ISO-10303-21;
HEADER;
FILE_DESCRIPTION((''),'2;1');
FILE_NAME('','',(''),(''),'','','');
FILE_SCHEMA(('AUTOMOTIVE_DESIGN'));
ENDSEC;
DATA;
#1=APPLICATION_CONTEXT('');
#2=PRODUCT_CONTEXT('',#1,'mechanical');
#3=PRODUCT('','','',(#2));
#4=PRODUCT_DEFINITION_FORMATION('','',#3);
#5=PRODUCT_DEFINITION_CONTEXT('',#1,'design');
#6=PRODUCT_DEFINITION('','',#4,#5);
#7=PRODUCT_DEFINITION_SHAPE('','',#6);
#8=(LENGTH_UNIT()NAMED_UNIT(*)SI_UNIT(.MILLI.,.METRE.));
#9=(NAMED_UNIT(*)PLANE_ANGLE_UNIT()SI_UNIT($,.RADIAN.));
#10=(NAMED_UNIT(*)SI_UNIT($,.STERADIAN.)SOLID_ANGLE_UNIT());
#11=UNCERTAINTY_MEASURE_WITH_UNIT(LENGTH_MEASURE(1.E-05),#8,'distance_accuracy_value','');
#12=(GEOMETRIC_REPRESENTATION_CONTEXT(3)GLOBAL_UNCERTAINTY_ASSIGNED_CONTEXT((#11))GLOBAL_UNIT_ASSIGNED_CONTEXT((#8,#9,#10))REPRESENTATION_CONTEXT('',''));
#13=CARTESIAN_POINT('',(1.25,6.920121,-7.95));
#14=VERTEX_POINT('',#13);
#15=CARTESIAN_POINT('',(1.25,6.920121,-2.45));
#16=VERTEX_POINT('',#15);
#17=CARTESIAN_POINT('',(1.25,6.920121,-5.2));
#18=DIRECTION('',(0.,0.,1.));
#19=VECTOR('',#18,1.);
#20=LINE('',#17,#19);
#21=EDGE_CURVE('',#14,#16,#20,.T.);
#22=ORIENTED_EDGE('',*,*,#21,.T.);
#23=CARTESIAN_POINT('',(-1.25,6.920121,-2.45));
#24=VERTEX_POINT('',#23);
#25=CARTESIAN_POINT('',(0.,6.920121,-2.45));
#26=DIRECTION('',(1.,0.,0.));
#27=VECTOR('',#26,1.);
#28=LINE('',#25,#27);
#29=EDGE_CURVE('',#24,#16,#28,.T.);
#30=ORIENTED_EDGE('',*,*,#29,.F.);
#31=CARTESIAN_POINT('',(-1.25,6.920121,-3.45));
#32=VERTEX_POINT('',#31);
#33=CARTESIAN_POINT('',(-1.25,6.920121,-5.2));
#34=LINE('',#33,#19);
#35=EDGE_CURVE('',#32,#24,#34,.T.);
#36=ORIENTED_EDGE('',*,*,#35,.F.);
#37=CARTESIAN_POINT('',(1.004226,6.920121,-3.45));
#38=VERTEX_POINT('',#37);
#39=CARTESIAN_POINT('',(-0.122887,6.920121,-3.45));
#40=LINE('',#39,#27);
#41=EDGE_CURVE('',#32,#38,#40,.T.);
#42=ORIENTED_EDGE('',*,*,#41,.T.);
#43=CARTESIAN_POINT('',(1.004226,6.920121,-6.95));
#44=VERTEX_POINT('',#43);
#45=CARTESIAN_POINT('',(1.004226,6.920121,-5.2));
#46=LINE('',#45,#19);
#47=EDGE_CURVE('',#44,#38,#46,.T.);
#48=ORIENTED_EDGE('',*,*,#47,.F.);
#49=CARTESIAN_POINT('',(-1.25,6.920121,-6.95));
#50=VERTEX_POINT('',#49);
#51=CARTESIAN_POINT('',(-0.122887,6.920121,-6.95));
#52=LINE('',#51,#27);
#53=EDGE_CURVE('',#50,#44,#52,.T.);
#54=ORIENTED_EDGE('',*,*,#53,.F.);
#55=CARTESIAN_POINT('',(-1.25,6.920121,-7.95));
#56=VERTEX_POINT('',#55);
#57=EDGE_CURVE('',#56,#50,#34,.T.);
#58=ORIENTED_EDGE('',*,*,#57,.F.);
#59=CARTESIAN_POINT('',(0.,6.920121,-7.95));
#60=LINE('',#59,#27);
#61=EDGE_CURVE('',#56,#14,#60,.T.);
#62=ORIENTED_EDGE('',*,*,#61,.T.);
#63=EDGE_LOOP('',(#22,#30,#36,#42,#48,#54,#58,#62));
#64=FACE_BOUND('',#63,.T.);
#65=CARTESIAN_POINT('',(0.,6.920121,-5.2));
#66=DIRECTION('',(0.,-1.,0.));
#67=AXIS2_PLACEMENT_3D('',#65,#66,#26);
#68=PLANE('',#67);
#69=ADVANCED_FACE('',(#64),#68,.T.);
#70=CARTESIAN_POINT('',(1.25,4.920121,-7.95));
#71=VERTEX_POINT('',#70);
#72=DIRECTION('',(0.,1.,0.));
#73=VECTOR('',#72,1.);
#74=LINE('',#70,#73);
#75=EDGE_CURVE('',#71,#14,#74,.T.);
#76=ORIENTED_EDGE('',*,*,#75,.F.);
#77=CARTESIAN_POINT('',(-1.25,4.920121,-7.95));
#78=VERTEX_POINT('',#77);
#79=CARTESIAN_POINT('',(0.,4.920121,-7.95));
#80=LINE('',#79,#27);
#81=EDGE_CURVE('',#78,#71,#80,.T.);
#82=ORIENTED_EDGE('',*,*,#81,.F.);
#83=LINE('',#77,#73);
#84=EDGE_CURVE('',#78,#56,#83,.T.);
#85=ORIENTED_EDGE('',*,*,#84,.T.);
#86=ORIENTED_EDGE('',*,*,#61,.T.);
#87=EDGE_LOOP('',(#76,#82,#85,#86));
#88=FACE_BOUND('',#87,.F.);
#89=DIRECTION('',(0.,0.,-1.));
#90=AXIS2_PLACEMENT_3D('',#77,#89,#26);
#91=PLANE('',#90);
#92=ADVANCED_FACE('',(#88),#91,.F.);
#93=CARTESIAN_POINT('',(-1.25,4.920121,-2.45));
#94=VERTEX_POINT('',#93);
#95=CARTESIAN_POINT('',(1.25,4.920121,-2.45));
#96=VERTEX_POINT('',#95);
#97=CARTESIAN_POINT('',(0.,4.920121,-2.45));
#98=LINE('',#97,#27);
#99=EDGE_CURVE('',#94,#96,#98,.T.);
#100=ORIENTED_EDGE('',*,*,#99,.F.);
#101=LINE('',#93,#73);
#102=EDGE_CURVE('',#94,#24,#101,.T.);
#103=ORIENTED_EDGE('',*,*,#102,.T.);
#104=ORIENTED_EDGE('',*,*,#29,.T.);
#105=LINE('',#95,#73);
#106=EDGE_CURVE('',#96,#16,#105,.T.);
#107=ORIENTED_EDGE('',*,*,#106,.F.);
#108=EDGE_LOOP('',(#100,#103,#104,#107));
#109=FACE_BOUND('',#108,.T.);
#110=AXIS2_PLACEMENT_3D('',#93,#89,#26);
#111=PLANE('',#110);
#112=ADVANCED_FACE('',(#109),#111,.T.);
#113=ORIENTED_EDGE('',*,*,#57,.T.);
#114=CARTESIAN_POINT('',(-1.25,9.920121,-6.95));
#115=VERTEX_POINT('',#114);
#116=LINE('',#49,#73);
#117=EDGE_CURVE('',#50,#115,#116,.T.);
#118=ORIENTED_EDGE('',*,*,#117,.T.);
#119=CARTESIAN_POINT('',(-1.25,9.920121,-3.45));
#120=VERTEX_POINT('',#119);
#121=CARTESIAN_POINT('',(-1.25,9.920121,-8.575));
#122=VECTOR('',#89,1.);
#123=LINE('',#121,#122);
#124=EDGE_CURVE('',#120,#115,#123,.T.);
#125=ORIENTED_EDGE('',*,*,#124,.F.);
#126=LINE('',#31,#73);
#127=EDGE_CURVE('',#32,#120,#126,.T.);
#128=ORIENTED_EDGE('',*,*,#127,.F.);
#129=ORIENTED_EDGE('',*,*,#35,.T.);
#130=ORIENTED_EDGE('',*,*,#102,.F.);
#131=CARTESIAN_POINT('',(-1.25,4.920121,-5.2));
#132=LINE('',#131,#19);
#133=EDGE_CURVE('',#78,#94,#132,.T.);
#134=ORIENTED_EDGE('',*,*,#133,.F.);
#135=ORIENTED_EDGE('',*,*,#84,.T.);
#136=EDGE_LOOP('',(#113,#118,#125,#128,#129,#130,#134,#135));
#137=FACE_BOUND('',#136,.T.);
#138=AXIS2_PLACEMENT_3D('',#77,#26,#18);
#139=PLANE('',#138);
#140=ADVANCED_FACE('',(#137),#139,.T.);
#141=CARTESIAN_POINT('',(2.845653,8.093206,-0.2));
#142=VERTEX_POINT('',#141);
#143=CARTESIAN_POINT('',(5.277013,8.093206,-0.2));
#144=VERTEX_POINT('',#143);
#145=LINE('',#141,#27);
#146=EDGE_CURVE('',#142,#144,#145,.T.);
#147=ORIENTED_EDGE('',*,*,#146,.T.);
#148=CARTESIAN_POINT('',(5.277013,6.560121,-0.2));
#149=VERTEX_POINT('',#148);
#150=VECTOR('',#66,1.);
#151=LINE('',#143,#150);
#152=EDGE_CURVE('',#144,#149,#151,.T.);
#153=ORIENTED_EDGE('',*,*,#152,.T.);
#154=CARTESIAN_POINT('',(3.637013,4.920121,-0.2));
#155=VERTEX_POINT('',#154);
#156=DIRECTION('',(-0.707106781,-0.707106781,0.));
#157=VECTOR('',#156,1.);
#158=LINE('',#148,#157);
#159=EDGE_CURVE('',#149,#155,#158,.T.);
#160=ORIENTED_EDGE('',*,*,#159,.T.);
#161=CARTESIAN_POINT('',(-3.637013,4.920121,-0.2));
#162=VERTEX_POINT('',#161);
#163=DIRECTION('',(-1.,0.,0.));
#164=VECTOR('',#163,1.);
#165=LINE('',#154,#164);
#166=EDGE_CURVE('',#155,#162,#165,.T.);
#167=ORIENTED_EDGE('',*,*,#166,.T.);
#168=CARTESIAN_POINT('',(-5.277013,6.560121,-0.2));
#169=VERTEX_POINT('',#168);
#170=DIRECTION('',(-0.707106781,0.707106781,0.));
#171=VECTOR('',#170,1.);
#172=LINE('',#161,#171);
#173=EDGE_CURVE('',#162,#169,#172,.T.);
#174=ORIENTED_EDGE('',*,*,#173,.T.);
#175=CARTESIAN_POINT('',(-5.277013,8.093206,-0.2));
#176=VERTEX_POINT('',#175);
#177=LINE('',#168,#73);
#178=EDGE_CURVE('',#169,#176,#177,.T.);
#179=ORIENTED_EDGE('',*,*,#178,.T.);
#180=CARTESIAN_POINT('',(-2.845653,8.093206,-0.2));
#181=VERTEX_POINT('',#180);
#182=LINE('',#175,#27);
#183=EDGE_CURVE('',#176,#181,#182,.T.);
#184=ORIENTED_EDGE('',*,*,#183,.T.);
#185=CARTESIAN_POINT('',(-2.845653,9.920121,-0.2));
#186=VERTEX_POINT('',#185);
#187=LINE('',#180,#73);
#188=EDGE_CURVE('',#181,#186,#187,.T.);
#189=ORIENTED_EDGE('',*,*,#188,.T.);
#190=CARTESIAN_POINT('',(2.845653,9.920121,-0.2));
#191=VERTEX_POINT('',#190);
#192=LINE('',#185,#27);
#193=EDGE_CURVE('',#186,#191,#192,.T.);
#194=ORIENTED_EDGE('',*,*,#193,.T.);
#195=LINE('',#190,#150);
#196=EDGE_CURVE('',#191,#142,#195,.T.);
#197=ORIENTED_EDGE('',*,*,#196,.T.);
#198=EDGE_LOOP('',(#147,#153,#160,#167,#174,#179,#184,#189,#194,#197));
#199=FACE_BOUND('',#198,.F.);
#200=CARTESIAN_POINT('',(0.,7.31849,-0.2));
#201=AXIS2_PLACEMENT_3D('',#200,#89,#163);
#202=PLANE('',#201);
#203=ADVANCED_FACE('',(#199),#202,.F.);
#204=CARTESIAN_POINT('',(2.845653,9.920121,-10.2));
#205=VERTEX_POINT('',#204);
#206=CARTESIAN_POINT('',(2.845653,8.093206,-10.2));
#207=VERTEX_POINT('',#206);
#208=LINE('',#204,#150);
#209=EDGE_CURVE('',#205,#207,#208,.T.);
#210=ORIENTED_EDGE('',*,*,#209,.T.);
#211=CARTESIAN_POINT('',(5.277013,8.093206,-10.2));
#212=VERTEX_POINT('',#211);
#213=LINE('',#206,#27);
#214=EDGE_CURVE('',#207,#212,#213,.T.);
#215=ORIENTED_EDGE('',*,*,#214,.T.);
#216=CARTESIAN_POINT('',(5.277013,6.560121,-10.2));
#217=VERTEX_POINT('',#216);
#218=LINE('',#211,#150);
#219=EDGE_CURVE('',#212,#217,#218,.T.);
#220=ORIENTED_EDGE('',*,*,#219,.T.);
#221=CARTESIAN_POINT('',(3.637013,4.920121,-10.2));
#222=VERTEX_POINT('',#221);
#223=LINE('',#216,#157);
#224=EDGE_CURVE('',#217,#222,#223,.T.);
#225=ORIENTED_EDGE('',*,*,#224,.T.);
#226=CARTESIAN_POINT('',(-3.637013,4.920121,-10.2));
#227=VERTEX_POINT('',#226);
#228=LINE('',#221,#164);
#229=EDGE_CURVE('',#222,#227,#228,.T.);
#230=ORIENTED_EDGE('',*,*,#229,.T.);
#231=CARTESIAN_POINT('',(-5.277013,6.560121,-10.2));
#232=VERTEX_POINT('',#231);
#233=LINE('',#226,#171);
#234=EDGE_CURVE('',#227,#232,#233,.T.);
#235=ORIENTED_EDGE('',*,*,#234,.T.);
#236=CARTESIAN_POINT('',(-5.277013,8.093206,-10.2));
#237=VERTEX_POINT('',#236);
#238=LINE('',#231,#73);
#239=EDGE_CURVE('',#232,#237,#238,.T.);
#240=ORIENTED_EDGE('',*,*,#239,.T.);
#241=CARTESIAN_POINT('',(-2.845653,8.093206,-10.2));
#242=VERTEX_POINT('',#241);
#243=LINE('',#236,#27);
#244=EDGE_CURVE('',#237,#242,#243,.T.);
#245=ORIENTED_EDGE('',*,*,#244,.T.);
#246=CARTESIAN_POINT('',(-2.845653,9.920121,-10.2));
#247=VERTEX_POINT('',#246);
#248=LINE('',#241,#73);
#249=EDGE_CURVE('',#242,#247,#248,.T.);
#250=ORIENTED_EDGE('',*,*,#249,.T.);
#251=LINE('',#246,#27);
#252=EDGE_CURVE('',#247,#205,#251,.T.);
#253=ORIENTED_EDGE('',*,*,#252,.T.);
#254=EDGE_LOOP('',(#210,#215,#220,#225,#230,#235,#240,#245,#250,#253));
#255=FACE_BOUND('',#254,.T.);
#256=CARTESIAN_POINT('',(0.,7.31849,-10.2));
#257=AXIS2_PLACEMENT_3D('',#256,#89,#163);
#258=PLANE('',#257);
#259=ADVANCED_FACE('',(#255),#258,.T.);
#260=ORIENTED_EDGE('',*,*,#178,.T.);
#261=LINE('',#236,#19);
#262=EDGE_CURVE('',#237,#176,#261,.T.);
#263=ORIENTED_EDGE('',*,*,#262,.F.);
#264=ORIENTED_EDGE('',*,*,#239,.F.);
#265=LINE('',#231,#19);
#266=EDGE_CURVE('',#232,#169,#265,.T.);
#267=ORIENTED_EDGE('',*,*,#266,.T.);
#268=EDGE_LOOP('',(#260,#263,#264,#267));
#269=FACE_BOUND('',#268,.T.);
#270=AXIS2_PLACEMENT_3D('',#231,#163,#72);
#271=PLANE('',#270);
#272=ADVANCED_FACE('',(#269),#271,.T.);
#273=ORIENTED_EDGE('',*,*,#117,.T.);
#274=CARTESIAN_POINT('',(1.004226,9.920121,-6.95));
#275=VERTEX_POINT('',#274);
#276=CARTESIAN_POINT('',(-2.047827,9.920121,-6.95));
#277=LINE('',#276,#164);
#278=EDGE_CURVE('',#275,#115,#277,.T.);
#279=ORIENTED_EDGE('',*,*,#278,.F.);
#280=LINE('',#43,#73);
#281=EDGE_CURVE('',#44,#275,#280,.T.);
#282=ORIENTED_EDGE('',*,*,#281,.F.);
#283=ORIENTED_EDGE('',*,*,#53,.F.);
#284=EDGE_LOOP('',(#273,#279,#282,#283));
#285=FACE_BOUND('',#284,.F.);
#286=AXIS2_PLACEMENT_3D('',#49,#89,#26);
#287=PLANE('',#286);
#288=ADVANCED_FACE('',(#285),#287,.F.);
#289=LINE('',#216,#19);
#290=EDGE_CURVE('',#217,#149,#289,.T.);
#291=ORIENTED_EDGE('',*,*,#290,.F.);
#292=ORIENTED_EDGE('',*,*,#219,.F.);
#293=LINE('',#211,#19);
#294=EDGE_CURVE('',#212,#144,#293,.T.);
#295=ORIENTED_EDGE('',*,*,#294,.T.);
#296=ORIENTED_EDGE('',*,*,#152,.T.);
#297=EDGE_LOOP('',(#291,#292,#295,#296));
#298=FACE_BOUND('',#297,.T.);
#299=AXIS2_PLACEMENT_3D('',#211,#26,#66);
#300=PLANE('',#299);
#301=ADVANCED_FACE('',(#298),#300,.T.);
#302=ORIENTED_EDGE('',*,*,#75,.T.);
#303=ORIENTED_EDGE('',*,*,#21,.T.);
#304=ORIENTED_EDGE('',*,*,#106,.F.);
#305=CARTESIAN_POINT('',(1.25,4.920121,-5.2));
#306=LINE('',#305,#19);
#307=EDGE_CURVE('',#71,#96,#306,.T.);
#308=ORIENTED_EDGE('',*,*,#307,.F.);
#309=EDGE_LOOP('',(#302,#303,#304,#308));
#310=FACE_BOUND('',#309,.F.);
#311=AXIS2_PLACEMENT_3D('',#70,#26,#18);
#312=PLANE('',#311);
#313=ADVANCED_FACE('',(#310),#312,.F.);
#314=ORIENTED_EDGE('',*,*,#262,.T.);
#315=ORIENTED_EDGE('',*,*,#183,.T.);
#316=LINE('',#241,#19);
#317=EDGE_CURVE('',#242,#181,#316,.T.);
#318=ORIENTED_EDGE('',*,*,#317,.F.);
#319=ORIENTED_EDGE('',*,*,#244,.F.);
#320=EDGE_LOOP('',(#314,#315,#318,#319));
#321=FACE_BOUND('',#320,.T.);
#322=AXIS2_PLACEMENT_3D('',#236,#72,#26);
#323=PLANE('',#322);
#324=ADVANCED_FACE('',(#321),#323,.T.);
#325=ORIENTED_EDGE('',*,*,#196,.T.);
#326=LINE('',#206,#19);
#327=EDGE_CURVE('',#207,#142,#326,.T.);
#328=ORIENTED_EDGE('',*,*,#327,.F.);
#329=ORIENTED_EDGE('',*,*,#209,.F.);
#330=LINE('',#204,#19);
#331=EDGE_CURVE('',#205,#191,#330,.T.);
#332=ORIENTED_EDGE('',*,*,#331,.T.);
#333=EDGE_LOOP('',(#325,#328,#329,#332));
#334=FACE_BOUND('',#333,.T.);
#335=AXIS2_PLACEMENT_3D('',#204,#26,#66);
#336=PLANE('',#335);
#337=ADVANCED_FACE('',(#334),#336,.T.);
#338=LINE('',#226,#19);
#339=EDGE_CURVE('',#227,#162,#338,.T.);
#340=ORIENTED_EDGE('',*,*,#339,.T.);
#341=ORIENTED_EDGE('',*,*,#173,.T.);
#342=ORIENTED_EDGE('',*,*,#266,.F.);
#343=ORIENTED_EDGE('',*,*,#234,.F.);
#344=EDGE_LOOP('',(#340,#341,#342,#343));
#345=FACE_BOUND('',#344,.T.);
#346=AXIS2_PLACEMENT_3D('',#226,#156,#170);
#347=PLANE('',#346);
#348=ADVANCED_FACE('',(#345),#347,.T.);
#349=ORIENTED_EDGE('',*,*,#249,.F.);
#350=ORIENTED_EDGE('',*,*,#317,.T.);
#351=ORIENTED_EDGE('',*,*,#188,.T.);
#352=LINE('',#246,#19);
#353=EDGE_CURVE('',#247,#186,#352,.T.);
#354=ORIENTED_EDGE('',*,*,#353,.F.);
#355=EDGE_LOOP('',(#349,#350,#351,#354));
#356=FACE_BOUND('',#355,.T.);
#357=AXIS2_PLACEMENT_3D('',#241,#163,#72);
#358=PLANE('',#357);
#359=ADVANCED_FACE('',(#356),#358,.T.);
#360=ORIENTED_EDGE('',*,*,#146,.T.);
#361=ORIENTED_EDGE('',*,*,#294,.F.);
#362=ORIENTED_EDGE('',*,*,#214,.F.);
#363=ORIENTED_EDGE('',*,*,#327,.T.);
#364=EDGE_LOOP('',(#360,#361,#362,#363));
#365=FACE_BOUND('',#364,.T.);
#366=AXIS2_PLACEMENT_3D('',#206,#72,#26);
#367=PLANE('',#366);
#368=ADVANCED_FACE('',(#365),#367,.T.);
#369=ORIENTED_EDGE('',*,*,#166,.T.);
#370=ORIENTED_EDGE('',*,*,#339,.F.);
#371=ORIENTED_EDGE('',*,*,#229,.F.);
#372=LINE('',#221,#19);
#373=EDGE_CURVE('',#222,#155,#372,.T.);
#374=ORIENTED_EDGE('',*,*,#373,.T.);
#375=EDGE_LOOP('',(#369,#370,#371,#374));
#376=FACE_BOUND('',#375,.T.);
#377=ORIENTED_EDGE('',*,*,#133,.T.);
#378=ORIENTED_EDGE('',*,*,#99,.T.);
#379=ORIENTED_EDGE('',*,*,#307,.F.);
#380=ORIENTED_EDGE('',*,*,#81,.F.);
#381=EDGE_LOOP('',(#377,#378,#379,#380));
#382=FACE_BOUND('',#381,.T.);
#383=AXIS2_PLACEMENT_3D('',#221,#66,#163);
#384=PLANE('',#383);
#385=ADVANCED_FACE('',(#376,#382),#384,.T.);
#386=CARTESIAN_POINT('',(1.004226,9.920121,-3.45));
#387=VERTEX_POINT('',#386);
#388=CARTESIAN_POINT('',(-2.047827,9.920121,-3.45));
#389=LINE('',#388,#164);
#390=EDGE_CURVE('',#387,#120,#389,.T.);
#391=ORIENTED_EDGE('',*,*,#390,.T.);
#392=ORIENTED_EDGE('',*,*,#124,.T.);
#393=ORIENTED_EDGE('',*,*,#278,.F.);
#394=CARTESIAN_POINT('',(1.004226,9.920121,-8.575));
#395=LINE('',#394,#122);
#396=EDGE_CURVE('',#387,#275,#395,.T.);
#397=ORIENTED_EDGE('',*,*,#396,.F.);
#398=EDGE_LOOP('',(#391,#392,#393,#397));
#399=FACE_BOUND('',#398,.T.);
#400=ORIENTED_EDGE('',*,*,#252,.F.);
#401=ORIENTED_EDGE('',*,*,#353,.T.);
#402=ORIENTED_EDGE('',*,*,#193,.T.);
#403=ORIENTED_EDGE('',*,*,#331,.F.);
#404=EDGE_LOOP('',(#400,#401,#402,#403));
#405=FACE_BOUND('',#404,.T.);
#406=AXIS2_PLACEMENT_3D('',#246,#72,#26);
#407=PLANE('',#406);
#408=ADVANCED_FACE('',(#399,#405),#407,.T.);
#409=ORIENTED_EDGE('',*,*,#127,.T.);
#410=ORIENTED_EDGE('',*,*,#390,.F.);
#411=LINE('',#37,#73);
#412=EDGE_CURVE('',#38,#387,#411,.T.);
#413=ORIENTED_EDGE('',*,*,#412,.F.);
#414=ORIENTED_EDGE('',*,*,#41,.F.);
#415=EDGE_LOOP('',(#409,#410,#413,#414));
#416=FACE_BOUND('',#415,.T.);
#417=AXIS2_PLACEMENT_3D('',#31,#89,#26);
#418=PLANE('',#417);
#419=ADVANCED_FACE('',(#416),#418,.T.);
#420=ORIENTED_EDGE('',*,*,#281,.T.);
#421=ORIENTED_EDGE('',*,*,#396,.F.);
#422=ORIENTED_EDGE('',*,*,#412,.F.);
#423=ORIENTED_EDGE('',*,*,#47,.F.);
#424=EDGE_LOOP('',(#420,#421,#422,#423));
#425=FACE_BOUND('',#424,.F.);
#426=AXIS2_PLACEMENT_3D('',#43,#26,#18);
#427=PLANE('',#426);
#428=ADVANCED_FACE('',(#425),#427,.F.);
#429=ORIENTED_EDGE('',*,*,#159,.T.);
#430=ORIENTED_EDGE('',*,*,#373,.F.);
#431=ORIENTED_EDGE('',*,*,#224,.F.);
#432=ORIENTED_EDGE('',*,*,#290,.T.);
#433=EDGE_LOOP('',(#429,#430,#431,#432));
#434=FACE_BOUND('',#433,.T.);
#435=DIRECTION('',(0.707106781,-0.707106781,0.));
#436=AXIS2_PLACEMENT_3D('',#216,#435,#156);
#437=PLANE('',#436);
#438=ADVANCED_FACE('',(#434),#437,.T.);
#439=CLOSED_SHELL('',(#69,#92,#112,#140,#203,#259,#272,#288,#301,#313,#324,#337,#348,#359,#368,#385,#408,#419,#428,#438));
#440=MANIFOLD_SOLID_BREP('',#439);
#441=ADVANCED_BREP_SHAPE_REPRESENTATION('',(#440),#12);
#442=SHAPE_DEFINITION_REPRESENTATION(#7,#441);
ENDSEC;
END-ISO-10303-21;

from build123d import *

# Parameters (mm, degrees)
PAD_DEPTH       = 10
SKETCH002_W     = 2.5
SKETCH002_H     = 5.5
POCKET_DEPTH    = 2
SKETCH003_W     = 2.254226
SKETCH003_H     = 3.5
POCKET001_DEPTH = 5


with BuildPart() as part:
    # Sketch001 → Pad (new body)
    with BuildSketch(Plane.XY):
        Polygon((5.277013, 8.093206), (5.277013, 6.560121), (3.637013, 4.920121), (-3.637013, 4.920121), (-5.277013, 6.560121), (-5.277013, 8.093206), (-2.845653, 8.093206), (-2.845653, 9.920121), (2.845653, 9.920121), (2.845653, 8.093206), align=None)
    extrude(amount=PAD_DEPTH)

    # Sketch002 (on Face3 of Pad) → Pocket (cut)
    with BuildSketch(Plane.XZ.offset(-4.920121)):
        with Locations((0, 5)):
            Rectangle(SKETCH002_W, SKETCH002_H)
    extrude(amount=-POCKET_DEPTH, mode=Mode.SUBTRACT)

    # Sketch003 (on Face17 of Pocket) → Pocket001 (cut)
    with BuildSketch(Plane.XZ.offset(-6.920121)):
        with Locations((-0.122887, 5)):
            Rectangle(SKETCH003_W, SKETCH003_H)
    extrude(amount=-POCKET001_DEPTH, mode=Mode.SUBTRACT)


with BuildPart() as part_1:
    # Body placement: moved
    add(part.part.moved(Location((0, 0, -10.2))))


solid = part_1.part
